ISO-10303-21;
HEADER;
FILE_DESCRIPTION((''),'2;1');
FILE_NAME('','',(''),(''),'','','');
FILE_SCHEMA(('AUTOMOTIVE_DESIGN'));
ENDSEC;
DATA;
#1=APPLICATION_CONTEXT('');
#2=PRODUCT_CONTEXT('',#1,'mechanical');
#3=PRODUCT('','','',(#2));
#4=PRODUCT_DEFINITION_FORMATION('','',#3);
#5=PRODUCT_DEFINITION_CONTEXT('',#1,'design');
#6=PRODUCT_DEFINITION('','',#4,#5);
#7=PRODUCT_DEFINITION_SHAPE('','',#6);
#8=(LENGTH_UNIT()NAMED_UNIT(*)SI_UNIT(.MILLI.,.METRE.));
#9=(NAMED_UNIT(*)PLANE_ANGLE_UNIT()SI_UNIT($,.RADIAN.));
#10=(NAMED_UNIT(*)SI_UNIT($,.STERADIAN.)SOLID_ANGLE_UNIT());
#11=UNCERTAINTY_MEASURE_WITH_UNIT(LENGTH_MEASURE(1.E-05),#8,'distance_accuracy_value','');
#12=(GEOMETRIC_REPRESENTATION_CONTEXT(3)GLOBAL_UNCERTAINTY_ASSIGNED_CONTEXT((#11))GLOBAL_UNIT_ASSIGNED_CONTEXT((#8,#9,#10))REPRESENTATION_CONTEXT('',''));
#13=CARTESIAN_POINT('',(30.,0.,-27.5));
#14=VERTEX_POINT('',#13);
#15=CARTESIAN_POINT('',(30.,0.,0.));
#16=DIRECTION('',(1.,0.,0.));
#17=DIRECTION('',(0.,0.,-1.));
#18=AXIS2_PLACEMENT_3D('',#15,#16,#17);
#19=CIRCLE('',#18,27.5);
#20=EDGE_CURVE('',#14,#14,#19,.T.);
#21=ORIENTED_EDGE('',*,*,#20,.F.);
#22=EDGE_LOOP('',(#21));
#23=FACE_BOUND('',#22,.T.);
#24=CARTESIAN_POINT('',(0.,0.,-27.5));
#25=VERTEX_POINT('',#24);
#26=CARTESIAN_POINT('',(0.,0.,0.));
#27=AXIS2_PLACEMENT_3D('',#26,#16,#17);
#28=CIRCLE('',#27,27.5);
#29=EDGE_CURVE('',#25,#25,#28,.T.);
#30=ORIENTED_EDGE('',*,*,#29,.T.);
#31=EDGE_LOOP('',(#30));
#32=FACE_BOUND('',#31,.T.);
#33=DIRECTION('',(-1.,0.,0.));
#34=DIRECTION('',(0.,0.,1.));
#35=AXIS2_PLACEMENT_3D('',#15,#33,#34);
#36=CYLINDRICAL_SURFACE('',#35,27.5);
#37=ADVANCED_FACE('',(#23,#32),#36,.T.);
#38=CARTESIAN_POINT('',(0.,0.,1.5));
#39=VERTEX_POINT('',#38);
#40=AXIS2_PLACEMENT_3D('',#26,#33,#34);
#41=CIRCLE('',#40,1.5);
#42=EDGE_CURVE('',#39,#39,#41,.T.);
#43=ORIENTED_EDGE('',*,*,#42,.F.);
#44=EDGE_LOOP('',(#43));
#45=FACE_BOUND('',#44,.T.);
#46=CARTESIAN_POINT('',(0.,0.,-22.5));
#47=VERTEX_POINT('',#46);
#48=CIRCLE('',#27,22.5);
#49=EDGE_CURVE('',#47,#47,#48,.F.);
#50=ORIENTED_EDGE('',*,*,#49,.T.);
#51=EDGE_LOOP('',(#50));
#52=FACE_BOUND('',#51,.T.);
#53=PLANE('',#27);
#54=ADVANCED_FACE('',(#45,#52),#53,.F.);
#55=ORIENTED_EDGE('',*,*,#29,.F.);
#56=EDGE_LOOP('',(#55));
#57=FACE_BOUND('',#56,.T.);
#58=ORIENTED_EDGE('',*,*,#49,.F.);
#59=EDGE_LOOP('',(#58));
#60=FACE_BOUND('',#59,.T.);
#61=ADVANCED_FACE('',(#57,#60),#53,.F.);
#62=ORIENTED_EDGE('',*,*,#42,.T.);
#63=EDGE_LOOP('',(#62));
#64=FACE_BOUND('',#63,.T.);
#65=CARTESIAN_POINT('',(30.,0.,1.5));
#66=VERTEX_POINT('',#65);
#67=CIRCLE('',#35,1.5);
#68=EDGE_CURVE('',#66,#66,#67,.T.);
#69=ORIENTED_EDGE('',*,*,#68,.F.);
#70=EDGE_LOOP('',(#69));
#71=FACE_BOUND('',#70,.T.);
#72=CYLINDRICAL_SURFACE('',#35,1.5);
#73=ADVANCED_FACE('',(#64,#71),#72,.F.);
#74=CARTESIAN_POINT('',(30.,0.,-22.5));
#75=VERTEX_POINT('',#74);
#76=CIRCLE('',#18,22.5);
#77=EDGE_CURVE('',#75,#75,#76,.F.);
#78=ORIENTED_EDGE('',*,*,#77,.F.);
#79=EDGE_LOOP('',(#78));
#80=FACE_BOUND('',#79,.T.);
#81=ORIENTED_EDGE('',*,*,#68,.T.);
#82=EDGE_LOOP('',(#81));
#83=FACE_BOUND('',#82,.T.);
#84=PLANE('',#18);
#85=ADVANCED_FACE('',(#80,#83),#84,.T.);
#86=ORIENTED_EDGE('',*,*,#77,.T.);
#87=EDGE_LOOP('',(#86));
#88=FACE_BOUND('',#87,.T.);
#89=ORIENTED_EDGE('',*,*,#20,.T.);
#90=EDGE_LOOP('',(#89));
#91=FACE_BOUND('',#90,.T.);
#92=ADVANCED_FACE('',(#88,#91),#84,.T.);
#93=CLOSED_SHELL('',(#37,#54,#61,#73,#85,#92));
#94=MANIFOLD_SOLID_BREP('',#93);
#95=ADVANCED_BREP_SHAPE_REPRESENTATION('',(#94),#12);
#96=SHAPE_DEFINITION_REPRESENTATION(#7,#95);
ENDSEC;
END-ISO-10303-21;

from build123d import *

# Parameters (mm, degrees)
SKETCH1_R           = 27.5
BOSS_EXTRUDE1_DEPTH = 30
SKETCH2_R           = 1.5
CUT_EXTRUDE1_DEPTH  = 50.117206761


with BuildPart() as part:
    # Sketch1 → Boss-Extrude1 (new body)
    with BuildSketch(Plane(origin=(0, 0, 0), x_dir=(0, 0, -1), z_dir=(1, 0, 0))):
        Circle(SKETCH1_R)
    extrude(amount=BOSS_EXTRUDE1_DEPTH)

    # Sketch2 → Cut-Extrude1 (cut, through all)
    with BuildSketch(Plane.ZY):
        Circle(SKETCH2_R)
    extrude(amount=-CUT_EXTRUDE1_DEPTH, mode=Mode.SUBTRACT)


solid = part.part
